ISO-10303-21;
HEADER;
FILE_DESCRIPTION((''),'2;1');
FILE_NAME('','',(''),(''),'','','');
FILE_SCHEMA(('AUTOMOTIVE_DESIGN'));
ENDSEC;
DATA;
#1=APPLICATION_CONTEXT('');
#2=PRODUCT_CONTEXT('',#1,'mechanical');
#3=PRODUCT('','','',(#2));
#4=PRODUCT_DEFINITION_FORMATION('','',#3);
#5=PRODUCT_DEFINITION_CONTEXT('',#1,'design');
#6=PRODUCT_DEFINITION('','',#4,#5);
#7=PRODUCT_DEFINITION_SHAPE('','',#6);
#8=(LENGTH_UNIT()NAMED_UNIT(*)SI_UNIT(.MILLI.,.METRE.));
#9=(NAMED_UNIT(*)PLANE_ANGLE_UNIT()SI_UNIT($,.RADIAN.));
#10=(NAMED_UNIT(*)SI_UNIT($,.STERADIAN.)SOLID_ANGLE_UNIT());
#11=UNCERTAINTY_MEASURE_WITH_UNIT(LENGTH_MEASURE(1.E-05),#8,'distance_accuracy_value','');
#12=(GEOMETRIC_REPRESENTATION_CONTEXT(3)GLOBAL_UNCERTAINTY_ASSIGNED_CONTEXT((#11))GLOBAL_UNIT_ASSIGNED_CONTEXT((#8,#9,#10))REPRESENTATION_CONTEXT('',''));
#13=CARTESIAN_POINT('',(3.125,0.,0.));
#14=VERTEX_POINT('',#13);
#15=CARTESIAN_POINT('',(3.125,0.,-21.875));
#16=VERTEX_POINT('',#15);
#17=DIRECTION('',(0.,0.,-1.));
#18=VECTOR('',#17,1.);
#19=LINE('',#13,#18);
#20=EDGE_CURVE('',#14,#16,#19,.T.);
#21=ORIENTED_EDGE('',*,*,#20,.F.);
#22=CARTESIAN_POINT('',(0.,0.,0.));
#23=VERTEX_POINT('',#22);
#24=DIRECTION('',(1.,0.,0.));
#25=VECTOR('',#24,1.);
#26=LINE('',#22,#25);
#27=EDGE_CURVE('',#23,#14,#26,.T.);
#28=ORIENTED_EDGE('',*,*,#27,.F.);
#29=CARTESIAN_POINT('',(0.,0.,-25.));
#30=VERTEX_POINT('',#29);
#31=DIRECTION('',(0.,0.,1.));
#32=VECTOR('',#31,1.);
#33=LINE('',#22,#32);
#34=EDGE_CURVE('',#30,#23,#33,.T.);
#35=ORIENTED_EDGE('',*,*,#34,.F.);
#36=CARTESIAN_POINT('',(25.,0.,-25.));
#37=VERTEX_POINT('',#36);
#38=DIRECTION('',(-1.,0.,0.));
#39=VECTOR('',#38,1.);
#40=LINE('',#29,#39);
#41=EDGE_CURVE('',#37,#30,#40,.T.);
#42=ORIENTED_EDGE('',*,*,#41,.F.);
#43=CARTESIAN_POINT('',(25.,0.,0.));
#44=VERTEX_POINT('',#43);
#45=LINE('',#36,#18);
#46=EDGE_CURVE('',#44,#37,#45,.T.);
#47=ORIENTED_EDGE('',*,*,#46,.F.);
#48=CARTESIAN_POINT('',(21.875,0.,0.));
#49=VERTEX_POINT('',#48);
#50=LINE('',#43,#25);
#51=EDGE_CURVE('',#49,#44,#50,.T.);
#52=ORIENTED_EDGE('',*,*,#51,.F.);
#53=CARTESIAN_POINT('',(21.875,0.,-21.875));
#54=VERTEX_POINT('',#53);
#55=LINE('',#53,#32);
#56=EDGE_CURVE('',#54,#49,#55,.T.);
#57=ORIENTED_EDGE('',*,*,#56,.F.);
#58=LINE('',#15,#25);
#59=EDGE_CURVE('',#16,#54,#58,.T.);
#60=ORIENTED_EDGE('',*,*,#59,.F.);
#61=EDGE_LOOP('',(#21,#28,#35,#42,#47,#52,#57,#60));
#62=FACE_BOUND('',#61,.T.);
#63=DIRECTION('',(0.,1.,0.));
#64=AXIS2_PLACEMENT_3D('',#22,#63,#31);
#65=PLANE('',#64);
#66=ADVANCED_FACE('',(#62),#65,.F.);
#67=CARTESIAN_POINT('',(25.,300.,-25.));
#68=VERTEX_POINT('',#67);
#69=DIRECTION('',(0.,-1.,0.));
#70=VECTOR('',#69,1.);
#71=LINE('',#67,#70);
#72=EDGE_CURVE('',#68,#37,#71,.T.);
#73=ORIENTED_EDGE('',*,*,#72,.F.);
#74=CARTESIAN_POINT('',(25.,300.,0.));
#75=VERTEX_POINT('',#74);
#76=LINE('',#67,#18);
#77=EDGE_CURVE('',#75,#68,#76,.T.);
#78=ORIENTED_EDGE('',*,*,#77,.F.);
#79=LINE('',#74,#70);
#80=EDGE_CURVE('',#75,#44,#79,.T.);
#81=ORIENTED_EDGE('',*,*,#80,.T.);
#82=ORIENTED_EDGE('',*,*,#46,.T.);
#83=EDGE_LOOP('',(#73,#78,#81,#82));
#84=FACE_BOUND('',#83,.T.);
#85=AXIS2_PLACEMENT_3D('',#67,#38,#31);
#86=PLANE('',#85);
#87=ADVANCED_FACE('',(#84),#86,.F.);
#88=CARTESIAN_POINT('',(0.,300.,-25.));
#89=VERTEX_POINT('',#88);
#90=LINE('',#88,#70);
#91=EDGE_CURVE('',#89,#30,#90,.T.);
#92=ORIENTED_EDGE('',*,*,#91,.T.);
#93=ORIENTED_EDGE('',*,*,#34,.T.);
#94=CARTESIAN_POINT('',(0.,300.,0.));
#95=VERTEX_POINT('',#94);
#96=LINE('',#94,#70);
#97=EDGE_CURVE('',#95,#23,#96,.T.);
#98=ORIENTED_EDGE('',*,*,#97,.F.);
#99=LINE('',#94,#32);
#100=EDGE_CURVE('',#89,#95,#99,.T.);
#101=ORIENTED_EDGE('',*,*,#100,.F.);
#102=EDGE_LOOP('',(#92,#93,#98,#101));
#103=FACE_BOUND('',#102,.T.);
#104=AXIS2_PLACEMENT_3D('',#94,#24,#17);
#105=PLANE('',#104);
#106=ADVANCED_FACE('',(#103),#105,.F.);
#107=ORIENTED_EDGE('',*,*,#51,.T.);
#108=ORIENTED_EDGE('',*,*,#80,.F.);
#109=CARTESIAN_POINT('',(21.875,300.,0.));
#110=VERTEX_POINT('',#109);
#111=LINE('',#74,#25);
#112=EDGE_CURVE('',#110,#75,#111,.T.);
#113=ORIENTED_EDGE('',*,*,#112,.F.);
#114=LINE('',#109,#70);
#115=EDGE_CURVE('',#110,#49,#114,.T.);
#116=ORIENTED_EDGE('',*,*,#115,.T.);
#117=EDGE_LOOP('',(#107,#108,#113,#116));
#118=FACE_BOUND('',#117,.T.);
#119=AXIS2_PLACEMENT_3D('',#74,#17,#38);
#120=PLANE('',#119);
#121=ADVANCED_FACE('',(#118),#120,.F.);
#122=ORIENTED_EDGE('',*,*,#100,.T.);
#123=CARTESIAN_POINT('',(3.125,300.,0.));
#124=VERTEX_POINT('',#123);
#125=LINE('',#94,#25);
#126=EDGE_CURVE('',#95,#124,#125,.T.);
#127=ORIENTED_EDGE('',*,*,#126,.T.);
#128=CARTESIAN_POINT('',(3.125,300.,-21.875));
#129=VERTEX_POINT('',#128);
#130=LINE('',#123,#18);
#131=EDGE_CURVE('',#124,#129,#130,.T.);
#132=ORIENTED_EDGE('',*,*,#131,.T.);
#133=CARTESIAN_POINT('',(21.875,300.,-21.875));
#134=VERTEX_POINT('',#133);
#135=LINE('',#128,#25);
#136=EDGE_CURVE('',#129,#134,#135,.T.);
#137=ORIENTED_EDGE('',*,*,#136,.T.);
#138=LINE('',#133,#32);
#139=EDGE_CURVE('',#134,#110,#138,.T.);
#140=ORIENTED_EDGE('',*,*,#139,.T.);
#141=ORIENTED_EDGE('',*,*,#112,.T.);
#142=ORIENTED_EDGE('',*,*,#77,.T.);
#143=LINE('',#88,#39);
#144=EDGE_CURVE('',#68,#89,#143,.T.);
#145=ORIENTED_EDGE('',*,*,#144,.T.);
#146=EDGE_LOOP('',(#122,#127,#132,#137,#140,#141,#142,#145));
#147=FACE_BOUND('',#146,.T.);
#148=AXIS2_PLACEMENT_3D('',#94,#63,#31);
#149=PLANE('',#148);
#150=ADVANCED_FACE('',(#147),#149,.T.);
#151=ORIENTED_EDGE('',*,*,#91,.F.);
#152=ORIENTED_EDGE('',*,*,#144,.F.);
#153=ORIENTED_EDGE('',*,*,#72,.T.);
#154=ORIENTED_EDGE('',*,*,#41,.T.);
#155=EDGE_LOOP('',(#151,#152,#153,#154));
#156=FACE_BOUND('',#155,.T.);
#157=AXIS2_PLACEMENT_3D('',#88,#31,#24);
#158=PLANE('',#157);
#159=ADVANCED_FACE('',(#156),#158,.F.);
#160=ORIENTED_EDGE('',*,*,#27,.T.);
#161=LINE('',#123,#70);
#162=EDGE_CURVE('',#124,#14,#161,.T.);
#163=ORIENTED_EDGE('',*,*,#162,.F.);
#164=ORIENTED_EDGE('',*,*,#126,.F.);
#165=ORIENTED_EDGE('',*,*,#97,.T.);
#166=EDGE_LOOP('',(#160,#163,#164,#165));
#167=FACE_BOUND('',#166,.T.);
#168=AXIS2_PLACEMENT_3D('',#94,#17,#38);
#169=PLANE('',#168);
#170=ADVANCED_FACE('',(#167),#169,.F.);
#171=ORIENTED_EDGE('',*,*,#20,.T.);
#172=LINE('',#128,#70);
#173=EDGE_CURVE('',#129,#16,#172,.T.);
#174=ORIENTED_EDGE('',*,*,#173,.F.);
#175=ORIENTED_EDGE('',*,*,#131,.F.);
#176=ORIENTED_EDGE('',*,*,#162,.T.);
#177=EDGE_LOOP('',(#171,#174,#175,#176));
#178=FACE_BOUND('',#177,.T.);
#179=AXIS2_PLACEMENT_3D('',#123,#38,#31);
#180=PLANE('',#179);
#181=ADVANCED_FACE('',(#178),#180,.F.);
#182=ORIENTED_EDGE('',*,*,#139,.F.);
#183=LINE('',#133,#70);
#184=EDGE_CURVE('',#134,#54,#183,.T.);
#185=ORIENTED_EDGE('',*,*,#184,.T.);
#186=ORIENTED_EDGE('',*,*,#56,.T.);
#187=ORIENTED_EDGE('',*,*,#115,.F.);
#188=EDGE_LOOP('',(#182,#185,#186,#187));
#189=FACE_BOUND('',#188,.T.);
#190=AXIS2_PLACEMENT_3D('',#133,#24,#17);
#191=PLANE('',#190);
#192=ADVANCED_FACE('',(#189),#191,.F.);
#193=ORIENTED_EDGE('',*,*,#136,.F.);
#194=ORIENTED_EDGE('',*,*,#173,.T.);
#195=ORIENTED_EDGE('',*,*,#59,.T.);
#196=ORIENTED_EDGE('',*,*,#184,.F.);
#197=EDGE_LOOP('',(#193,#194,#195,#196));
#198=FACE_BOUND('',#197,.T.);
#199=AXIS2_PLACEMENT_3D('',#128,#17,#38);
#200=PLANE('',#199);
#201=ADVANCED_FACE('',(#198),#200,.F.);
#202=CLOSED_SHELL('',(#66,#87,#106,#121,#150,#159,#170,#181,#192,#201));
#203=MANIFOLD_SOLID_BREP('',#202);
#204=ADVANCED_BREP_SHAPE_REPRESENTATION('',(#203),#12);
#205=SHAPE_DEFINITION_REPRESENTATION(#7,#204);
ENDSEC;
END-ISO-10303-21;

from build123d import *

# Parameters (mm, degrees)
BOSS_EXTRUDE1_DEPTH = 300


with BuildPart() as part:
    # Sketch1 → Boss-Extrude1 (new body)
    with BuildSketch(Plane(origin=(0, 0, 0), x_dir=(1, 0, 0), z_dir=(0, 1, 0))):
        Polygon((0, 0), (0, 25), (25, 25), (25, 0), (21.875, 0), (21.875, 21.875), (3.125, 21.875), (3.125, 0), align=None)
    extrude(amount=BOSS_EXTRUDE1_DEPTH)


solid = part.part
